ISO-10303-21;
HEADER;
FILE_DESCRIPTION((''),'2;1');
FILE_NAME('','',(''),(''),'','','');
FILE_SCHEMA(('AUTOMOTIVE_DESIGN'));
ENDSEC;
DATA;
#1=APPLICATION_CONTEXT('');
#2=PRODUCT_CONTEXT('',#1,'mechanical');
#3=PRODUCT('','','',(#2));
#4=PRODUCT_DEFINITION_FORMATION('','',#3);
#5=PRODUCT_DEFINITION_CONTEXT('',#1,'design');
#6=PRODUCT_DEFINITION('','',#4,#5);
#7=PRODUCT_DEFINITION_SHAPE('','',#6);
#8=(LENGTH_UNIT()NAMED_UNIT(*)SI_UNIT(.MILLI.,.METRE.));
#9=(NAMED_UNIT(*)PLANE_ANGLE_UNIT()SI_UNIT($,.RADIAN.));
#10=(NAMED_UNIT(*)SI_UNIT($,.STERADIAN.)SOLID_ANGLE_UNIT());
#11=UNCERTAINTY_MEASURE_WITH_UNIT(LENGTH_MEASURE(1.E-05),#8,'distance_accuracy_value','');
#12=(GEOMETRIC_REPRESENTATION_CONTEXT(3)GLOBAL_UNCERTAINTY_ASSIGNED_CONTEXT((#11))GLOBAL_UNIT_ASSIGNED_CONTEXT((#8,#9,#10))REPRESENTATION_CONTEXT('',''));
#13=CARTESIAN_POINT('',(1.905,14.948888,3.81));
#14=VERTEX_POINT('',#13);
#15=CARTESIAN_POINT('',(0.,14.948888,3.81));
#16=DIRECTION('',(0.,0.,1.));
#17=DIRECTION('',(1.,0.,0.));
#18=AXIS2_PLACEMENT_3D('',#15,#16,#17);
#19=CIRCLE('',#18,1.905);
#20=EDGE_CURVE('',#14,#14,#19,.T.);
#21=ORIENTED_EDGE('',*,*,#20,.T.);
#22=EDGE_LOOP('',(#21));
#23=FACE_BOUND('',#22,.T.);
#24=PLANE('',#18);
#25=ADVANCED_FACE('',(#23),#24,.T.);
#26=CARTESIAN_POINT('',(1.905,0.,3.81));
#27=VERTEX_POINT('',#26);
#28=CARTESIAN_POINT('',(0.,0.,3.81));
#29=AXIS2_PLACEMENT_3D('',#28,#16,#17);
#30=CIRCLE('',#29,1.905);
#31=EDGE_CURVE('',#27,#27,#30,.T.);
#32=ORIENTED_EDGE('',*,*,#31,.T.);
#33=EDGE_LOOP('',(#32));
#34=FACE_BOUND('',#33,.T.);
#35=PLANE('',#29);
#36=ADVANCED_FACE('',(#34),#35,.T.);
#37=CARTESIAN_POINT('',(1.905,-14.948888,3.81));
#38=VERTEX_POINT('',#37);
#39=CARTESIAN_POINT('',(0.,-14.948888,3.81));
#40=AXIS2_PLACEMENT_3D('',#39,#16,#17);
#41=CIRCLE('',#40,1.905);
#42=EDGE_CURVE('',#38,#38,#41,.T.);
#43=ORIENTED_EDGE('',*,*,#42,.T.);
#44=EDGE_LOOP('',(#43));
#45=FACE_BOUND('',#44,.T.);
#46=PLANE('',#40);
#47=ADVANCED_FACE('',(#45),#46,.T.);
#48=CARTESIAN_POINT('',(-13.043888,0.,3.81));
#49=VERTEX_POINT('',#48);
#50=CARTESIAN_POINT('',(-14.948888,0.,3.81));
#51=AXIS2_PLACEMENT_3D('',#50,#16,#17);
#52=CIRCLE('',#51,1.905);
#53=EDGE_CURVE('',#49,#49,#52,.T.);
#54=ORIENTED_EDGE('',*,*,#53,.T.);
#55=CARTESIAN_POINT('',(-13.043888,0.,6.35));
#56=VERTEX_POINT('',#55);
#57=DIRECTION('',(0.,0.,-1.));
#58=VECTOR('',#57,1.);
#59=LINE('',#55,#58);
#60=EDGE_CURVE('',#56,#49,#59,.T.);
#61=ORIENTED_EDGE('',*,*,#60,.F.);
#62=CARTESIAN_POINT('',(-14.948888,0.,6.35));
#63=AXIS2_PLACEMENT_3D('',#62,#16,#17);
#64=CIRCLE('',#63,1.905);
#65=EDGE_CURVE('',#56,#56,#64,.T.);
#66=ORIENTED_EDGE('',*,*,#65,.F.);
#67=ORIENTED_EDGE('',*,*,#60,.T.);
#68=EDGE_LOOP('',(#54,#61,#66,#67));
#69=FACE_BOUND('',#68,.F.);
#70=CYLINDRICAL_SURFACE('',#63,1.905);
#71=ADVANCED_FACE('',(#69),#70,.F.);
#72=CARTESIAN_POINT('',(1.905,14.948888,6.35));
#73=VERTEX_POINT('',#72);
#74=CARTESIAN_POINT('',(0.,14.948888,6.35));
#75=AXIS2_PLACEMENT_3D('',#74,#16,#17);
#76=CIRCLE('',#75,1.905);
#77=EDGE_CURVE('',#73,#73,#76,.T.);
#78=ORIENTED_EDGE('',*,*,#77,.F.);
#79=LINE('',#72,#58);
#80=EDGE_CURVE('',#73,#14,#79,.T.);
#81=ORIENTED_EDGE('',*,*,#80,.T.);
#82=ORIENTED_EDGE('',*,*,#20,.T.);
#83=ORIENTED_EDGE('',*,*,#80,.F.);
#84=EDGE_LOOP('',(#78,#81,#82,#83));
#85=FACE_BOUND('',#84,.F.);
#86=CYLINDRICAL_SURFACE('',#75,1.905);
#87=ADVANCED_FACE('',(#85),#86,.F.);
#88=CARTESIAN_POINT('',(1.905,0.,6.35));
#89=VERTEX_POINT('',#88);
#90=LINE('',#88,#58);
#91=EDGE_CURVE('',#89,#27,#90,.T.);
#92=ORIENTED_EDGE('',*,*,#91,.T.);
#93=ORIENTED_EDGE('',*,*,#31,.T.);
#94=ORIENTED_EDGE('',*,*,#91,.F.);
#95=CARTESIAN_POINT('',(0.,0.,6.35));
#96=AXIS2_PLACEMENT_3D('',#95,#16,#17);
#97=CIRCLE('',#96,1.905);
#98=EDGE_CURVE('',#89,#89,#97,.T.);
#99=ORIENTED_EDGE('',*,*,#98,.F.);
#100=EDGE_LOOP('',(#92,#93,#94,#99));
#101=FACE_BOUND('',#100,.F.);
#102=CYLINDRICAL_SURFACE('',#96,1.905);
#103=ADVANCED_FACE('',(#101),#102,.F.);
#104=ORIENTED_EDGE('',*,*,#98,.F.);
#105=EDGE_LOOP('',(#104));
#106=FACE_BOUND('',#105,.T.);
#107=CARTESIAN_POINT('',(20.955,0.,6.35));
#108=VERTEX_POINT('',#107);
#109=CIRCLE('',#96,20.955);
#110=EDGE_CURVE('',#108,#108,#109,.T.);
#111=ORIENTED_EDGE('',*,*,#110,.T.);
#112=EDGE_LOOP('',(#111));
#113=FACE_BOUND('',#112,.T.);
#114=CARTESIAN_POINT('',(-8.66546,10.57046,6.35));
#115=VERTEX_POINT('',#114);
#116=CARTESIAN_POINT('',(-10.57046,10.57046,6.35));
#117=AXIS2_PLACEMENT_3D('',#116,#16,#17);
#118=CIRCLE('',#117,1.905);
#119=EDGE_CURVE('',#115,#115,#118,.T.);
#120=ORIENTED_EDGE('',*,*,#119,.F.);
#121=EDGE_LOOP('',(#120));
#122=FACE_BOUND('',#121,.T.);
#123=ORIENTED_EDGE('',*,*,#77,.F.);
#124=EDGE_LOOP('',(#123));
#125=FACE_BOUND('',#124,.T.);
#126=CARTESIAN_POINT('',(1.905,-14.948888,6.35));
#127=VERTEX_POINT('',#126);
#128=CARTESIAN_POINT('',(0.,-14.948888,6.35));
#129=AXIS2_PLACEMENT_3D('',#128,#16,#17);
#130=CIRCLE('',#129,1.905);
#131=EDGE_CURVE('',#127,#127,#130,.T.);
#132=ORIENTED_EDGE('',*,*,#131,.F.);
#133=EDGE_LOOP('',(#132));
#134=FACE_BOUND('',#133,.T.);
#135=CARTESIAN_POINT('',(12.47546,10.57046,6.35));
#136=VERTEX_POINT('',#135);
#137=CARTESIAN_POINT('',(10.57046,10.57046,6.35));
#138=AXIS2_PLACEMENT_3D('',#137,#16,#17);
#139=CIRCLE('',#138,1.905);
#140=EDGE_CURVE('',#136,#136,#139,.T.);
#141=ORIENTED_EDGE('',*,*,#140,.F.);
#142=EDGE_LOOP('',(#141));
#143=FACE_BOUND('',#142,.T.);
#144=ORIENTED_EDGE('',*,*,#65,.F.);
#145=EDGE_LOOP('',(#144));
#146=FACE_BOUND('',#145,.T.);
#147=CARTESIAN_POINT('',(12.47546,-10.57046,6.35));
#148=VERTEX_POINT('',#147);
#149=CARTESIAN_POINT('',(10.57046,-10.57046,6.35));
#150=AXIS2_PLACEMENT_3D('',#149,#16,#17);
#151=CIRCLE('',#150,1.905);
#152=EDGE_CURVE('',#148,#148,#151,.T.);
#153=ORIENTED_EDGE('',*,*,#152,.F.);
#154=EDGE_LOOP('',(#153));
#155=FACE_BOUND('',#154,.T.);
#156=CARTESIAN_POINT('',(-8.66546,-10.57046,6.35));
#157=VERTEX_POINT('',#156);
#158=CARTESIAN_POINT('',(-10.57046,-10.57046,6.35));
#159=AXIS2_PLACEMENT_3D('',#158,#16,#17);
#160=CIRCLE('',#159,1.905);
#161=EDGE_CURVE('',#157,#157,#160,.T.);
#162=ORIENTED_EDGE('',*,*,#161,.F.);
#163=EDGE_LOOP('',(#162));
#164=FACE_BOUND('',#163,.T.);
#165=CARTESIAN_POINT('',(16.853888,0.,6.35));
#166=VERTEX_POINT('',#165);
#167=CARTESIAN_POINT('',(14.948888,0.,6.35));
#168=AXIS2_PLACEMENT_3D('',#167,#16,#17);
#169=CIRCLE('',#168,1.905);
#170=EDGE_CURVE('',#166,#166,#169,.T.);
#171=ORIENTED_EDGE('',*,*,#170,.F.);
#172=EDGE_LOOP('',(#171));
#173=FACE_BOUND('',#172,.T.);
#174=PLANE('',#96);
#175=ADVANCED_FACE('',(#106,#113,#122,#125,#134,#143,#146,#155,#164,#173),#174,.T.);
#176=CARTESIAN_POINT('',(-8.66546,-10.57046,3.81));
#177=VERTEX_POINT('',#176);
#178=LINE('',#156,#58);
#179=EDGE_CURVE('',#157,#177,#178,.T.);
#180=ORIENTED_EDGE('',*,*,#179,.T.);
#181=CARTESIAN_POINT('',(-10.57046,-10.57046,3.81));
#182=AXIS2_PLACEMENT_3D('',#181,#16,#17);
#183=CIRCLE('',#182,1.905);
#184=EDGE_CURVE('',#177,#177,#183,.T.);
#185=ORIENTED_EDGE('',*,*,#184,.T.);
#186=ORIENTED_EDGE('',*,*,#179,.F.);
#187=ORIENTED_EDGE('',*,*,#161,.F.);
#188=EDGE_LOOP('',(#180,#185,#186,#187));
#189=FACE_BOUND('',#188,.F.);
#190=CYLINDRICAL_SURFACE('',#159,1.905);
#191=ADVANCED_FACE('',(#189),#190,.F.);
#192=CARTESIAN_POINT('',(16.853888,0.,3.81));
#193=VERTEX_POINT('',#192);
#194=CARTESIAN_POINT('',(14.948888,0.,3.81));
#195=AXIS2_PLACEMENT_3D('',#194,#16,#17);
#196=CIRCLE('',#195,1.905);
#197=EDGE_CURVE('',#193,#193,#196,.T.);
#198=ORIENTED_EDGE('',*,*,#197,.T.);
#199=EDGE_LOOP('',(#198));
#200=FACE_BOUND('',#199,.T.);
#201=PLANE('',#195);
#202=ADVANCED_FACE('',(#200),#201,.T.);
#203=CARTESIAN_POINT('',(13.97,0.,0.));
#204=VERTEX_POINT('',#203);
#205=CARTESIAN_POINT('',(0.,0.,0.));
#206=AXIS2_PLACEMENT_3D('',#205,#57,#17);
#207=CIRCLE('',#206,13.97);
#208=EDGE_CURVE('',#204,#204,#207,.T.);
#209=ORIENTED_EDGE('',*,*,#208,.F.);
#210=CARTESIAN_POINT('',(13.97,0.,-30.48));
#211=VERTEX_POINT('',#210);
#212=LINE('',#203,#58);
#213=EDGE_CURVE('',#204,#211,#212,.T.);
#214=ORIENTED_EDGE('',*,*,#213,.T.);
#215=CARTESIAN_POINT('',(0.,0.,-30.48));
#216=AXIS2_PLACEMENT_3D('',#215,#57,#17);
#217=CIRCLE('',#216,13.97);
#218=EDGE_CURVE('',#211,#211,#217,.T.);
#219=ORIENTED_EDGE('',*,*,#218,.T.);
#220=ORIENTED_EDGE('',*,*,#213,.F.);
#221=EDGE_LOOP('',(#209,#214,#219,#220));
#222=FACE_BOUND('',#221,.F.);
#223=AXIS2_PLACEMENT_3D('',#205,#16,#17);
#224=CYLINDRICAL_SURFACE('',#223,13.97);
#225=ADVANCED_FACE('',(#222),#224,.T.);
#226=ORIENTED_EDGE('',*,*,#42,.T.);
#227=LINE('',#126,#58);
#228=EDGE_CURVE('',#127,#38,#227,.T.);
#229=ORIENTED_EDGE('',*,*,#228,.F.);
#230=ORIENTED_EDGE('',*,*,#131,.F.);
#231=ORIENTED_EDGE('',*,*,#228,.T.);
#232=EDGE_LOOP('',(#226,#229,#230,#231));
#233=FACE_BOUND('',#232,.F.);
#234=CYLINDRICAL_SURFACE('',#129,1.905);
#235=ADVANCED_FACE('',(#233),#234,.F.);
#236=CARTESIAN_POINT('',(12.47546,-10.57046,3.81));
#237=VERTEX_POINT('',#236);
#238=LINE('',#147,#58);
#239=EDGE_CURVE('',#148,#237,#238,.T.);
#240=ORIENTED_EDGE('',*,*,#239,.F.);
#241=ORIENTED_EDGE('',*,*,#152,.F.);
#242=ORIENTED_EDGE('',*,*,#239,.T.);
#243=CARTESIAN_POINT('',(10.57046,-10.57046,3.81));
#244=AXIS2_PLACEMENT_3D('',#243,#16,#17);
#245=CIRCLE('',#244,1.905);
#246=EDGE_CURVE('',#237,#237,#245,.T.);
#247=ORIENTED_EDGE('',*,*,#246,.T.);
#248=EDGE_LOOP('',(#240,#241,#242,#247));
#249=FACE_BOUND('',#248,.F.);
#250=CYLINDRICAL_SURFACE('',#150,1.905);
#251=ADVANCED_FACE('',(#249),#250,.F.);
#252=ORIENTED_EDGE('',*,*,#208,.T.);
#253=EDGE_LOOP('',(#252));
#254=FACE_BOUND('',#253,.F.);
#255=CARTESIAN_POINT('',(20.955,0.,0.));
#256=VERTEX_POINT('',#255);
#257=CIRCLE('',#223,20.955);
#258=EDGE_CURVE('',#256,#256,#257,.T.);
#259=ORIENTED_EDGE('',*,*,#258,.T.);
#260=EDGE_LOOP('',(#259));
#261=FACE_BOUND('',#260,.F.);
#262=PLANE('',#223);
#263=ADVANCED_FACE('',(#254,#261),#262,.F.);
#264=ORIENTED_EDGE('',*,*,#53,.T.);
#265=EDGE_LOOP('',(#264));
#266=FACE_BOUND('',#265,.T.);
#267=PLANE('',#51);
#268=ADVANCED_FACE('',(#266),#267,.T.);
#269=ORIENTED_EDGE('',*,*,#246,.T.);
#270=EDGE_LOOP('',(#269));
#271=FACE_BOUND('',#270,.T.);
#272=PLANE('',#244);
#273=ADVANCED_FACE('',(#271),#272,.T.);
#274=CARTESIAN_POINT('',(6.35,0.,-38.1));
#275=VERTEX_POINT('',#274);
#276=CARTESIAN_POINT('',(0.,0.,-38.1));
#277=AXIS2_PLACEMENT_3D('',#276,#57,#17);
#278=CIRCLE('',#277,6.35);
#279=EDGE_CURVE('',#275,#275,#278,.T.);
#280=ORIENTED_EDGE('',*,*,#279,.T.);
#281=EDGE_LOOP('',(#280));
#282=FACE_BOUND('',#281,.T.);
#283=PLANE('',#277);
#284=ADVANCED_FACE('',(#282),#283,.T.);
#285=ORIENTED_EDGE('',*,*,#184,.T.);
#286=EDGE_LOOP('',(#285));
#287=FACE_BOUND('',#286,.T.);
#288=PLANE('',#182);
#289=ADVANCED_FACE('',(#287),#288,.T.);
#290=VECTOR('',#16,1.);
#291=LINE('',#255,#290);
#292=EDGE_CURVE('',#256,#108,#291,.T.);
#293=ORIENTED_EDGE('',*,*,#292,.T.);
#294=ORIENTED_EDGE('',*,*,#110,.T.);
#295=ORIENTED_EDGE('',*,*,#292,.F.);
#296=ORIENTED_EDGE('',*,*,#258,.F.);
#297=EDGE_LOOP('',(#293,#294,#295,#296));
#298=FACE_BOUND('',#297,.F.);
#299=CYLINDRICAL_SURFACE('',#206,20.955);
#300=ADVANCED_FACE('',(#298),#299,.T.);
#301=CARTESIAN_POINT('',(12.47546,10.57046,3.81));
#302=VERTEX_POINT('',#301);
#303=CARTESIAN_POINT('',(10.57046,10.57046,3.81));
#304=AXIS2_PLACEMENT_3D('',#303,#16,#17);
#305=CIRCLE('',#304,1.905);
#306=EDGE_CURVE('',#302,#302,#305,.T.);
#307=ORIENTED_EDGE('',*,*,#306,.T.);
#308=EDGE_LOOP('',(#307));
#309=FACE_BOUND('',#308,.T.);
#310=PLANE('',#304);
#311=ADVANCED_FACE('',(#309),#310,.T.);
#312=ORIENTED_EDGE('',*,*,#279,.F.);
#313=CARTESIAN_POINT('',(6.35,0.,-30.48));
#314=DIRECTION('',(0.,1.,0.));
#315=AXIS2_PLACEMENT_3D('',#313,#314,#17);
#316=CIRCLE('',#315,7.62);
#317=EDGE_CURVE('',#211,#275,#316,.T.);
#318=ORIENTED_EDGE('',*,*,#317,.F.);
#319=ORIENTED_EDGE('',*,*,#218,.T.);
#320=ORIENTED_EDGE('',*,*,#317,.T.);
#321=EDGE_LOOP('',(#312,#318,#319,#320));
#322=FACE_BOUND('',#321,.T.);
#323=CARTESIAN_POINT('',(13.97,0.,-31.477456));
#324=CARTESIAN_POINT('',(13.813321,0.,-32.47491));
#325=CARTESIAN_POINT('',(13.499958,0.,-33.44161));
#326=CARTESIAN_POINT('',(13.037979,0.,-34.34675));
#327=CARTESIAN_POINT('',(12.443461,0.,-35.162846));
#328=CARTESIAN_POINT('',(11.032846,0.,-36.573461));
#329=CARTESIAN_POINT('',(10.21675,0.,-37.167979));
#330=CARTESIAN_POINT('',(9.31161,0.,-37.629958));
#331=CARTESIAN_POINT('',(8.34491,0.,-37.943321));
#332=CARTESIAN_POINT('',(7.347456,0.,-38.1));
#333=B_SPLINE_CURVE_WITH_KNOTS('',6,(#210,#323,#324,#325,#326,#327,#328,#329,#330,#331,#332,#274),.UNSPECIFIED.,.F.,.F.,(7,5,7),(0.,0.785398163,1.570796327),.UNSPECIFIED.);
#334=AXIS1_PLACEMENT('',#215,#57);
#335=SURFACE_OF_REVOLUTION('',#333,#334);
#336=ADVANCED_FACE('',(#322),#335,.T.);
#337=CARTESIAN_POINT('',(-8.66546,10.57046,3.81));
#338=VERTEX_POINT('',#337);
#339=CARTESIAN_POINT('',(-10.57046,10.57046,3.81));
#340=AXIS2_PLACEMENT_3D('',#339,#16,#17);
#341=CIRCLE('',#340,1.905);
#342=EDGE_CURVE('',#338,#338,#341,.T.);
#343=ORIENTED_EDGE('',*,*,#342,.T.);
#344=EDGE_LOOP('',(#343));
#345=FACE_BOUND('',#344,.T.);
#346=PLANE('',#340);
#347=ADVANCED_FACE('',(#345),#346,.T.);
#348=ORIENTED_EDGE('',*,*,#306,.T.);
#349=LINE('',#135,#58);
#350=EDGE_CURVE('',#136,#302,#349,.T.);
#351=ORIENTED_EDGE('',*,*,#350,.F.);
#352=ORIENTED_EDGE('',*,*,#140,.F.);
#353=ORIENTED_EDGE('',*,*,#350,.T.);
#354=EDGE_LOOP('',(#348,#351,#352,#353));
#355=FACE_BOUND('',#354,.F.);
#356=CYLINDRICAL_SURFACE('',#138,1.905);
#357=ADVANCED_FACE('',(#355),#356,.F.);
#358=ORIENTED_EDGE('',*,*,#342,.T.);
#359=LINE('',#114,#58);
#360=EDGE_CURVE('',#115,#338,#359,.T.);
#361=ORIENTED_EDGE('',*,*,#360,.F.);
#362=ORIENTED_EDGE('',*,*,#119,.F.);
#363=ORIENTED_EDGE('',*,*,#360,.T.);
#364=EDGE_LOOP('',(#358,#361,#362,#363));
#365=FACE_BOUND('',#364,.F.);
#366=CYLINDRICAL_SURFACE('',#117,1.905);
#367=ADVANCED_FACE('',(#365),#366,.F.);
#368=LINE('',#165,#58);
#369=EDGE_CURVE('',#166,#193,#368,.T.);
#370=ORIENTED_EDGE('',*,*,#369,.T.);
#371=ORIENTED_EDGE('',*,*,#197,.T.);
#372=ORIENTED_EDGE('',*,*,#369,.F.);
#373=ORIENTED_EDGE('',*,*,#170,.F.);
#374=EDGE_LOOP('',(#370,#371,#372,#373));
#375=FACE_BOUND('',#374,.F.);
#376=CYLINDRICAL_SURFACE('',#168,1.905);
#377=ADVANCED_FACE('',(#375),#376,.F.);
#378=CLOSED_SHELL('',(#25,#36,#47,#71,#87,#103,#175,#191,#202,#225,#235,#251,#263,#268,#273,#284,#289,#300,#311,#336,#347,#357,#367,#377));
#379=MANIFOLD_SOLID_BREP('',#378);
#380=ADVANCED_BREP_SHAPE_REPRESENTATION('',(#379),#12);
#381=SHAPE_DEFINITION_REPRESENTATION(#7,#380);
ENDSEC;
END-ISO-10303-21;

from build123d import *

# Parameters (mm, degrees)
F0_R     = 20.955
F1_DEPTH = 6.35
F3_R     = 13.97
F4_DEPTH = 38.1
F5_R     = 7.62
F2_R     = 1.905
F7_DEPTH = 2.54
F6_R     = 1.905
F8_DEPTH = 2.54


with BuildPart() as f1:
    # F0 (on Top) → F1 (new body)
    with BuildSketch(Plane.XY):
        Circle(F0_R)
    extrude(amount=F1_DEPTH)

    # F3 (on face) → F4 (join)
    with BuildSketch(Plane(origin=(0, 0, 0), x_dir=(1, 0, 0), z_dir=(0, 0, -1))):
        Circle(F3_R)
    extrude(amount=F4_DEPTH)

    # F5
    f5_edges = [f1.edges().sort_by_distance(p)[0] for p in [
        (-13.97, 0, -38.1),
    ]]
    fillet(f5_edges, radius=F5_R)

    # F2 (on face) → F7 (cut)
    with BuildSketch(Plane.XY.offset(6.35)):
        with Locations((10.57046, -10.57046)):
            Circle(F2_R)
    extrude(amount=-F7_DEPTH, mode=Mode.SUBTRACT)

    # F6 (on face) → F8 (cut)
    with BuildSketch(Plane.XY.offset(6.35)):
        with Locations((-10.57046, -10.57046)):
            Circle(F6_R)
        with Locations((10.57046, 10.57046)):
            Circle(F6_R)
        with Locations((-10.57046, 10.57046)):
            Circle(F6_R)
        Circle(F6_R)
        with Locations((0, 14.948888)):
            Circle(F6_R)
        with Locations((14.948888, 0)):
            Circle(F6_R)
        with Locations((0, -14.948888)):
            Circle(F6_R)
        with Locations((10.57046, -10.57046)):
            Circle(F6_R)
        with Locations((-14.948888, 0)):
            Circle(F6_R)
    extrude(amount=-F8_DEPTH, mode=Mode.SUBTRACT)


solid = f1.part
